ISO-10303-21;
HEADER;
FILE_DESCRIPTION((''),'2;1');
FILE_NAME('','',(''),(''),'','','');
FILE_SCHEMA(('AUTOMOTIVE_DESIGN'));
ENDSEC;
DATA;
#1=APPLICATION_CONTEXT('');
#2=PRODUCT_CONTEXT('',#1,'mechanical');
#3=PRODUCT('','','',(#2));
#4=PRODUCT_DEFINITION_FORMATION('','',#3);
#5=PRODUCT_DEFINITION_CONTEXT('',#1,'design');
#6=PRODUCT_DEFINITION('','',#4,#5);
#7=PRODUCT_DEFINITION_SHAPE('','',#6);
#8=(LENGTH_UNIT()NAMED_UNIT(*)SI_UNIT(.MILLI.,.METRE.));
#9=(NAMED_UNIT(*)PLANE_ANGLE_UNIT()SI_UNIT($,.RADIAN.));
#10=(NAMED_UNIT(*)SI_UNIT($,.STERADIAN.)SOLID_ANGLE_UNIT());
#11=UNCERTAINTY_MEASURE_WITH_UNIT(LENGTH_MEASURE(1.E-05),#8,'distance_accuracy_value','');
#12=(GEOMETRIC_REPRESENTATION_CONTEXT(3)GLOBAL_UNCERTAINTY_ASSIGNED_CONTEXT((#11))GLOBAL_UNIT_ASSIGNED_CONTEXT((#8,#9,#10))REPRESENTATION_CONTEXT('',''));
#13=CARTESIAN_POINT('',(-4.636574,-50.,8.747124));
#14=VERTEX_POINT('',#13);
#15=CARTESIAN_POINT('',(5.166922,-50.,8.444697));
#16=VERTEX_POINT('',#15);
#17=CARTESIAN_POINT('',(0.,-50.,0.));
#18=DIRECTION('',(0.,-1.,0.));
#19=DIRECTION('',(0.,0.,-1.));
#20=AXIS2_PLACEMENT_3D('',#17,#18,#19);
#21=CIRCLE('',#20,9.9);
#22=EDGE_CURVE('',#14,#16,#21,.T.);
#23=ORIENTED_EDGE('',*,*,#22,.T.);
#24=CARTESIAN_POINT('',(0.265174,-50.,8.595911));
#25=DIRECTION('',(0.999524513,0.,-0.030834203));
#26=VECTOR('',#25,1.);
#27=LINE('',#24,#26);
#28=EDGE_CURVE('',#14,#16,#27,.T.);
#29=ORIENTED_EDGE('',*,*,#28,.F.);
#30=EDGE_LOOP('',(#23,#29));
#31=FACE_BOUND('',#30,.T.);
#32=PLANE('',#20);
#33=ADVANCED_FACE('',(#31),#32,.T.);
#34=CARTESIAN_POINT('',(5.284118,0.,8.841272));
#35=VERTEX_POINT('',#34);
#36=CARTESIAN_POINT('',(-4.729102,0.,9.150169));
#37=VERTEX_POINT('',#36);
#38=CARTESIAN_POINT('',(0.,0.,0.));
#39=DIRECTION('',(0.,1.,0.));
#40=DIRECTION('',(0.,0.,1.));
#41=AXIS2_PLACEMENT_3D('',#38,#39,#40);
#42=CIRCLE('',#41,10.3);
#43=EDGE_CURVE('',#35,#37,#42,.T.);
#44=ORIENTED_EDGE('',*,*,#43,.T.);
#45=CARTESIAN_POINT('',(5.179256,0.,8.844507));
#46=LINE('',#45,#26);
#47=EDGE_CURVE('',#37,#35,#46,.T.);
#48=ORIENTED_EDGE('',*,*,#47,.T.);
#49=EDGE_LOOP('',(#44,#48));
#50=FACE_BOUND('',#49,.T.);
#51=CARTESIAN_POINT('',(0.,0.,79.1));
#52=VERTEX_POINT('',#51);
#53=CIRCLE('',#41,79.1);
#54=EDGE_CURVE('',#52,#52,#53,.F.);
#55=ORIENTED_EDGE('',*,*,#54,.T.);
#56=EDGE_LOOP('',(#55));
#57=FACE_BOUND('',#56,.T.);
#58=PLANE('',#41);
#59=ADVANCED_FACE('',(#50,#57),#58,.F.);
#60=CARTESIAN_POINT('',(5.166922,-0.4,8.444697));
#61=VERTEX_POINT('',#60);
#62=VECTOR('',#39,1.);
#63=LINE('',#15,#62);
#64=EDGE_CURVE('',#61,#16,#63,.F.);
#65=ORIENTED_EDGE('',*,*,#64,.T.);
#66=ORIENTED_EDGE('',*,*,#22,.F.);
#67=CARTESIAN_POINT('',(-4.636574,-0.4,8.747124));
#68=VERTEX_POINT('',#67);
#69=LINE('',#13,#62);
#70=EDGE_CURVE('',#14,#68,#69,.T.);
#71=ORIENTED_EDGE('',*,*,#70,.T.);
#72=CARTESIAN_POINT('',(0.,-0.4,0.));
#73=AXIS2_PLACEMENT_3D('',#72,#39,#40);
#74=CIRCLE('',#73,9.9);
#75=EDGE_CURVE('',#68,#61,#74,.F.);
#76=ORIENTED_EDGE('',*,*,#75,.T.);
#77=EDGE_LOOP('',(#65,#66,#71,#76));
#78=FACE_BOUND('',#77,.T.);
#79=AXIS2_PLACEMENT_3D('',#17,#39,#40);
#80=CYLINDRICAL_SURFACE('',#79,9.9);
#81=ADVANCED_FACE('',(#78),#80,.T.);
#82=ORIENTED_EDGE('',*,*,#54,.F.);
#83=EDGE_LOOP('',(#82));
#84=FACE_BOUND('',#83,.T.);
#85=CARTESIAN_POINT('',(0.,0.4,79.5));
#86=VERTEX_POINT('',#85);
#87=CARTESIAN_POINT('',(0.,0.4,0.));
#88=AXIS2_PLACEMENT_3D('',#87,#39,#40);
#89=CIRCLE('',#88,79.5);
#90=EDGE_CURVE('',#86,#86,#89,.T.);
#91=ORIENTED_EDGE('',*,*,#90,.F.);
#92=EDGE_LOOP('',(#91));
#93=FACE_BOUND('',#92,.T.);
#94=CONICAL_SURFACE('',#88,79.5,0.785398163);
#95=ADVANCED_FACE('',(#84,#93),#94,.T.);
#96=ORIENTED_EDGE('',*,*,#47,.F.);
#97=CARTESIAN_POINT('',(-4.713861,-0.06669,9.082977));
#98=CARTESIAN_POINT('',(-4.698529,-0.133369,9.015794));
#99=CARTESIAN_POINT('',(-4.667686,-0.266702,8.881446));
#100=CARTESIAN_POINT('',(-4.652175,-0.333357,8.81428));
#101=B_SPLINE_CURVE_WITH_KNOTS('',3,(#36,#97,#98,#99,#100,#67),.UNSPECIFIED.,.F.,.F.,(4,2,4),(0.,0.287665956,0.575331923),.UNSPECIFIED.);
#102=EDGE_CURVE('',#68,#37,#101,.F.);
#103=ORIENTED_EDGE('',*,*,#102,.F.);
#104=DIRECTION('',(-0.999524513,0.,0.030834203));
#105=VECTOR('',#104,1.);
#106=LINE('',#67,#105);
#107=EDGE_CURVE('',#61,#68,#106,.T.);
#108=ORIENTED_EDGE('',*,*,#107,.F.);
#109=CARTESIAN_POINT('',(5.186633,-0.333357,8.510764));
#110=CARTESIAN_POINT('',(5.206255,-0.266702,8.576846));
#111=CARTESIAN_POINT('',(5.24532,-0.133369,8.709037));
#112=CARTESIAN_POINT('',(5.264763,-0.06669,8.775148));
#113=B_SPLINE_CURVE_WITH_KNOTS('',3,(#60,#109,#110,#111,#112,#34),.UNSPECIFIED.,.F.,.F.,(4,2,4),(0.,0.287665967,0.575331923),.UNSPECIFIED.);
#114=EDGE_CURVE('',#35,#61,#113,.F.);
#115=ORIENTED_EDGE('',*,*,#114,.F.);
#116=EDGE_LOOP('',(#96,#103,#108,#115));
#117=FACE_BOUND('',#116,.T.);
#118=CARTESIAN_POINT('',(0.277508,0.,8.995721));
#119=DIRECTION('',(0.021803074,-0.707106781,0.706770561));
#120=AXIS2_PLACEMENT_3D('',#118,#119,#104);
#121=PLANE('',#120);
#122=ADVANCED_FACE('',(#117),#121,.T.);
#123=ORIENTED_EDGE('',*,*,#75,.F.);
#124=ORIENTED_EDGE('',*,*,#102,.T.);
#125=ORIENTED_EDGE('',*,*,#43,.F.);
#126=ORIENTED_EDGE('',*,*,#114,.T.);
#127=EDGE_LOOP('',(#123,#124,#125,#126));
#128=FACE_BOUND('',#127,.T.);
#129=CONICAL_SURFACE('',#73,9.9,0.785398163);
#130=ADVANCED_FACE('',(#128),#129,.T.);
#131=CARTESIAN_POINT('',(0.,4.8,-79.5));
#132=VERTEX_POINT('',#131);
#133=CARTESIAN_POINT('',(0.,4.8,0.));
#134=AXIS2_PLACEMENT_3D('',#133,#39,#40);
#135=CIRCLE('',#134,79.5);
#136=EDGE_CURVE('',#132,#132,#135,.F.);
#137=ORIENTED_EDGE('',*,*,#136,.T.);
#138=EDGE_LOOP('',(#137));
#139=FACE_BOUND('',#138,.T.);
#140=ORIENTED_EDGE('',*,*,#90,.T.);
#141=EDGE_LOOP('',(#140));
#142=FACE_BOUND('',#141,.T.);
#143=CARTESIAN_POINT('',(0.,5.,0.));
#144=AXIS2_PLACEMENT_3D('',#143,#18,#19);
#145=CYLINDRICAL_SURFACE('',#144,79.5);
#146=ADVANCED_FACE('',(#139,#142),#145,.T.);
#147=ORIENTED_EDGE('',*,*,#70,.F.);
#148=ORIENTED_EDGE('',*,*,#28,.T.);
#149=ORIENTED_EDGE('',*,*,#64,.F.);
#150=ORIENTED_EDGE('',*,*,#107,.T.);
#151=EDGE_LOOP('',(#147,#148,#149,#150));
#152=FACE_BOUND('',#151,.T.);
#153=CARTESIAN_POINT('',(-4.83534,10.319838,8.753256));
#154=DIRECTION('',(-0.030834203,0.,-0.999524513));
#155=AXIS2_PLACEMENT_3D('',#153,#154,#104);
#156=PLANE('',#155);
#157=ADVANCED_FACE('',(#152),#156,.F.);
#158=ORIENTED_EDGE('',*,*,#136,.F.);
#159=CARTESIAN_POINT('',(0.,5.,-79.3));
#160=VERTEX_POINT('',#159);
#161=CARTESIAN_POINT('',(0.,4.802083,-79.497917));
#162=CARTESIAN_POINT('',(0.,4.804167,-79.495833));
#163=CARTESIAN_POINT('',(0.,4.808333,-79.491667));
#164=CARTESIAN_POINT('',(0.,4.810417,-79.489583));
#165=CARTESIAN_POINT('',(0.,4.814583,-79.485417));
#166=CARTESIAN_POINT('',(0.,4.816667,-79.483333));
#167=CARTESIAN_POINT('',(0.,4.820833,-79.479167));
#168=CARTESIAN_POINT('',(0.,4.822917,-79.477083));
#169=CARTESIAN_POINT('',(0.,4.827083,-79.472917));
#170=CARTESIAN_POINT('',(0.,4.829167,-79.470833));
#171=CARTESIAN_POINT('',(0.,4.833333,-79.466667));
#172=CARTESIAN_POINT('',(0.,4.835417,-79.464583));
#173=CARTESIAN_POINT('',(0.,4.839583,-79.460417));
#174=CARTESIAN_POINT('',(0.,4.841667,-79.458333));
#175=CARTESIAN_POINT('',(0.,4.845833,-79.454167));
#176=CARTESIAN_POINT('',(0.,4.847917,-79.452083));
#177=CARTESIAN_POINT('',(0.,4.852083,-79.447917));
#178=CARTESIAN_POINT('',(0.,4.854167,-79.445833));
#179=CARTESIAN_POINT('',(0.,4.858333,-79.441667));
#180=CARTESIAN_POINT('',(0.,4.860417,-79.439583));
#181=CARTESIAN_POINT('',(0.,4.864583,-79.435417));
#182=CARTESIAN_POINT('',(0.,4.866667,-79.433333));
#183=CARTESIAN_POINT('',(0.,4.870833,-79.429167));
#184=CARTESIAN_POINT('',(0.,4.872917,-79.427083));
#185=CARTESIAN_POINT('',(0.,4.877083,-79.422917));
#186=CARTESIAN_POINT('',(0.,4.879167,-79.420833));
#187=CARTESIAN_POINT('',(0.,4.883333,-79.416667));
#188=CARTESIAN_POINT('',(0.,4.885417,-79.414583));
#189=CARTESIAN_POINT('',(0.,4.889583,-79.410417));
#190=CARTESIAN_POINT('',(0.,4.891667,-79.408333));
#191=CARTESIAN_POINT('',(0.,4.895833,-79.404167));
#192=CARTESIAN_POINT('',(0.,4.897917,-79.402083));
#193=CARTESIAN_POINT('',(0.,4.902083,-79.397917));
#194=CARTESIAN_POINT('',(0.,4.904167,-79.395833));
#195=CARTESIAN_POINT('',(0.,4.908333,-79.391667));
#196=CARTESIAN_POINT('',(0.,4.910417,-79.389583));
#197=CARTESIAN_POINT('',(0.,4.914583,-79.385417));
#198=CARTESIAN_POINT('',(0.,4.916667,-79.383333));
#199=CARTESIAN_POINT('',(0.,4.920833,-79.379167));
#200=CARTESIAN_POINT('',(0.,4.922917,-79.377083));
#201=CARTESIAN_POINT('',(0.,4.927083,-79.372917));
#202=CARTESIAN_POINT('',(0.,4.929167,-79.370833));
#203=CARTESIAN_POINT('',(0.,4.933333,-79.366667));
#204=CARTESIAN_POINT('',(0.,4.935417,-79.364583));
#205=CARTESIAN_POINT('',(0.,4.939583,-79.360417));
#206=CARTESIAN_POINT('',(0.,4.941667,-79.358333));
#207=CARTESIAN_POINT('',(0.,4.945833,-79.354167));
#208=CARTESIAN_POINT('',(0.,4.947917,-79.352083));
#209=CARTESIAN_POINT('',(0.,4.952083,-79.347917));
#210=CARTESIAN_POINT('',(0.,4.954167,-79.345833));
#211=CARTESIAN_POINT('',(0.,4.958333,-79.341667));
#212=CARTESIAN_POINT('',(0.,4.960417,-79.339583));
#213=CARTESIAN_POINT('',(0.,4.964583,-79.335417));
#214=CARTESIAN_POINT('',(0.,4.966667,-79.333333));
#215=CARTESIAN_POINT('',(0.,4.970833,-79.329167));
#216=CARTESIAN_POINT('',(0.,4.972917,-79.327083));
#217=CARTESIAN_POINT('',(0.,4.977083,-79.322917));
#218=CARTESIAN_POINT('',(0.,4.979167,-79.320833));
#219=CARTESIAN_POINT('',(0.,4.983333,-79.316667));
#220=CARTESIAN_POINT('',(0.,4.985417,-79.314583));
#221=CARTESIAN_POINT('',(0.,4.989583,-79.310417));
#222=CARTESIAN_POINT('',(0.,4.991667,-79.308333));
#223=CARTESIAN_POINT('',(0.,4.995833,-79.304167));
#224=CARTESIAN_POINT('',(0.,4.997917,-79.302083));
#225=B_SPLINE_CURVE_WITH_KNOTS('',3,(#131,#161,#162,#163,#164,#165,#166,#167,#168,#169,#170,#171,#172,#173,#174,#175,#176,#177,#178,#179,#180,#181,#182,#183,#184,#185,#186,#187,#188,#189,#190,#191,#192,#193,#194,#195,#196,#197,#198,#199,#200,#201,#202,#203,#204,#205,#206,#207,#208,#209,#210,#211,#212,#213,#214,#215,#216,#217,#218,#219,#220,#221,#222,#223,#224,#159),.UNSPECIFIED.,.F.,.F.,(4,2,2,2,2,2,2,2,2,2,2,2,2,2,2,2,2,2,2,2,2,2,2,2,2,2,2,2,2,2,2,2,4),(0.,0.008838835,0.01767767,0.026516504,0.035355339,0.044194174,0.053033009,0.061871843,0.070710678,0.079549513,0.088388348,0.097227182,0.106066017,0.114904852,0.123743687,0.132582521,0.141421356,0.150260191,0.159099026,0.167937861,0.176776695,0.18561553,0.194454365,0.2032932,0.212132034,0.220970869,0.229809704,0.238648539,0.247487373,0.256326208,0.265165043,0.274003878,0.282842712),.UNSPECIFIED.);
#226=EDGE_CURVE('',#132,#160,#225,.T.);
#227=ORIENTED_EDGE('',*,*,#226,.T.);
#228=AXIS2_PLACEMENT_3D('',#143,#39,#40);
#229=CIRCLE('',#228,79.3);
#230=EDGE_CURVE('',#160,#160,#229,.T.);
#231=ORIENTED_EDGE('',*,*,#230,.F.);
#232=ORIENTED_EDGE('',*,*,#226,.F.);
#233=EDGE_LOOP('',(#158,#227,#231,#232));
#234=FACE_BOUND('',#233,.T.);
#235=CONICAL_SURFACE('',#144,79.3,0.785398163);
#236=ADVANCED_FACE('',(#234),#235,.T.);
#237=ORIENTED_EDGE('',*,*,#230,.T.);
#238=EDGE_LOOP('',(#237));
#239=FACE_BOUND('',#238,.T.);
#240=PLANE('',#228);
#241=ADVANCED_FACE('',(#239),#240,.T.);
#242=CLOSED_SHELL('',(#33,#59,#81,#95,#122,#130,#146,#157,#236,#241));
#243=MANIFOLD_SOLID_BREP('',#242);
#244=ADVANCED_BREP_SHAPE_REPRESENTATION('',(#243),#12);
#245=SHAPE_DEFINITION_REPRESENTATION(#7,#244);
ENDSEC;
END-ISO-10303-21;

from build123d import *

# Parameters (mm, degrees)
SKETCH_1_R          = 79.5
EXTRUDE_1_DEPTH     = 5
SKETCH_2_R          = 9.9
EXTRUDE_2_DEPTH     = 50
CHAMFER_1_SIZE      = 0.2
CUT_EXTRUDE_1_DEPTH = 50
CHAMFER_2_SIZE      = 0.4


with BuildPart() as part:
    # 草图1 → 凸台-拉伸1 (new body)
    with BuildSketch(Plane(origin=(0, 0, 0), x_dir=(1, 0, 0), z_dir=(0, 1, 0))):
        with Locations(Location((0, 0, 0), (0, 0, 270))):
            Circle(SKETCH_1_R)
    extrude(amount=EXTRUDE_1_DEPTH)

    # 草图2 → 凸台-拉伸2 (add)
    with BuildSketch(Plane(origin=(0, 0, 0), x_dir=(-1, 0, 0), z_dir=(0, -1, 0))):
        with Locations(Location((0, 0, 0), (0, 0, 270))):
            Circle(SKETCH_2_R)
    extrude(amount=EXTRUDE_2_DEPTH)

    # 倒角1
    chamfer_1_edges = [part.edges().sort_by_distance(p)[0] for p in [
        (0, 5, -79.5),
    ]]
    chamfer(chamfer_1_edges, length=CHAMFER_1_SIZE)

    # 草图3 → 切除-拉伸1 (cut)
    with BuildSketch(Plane(origin=(0, -50, 0), x_dir=(-1, 0, 0), z_dir=(0, -1, 0))):
        with BuildLine():
            Line((4.835339801, -8.753255909), (-5.365688092, -8.438565713))
            ThreePointArc((-5.365688092, -8.438565713), (-0.308342029, -9.995245129), (4.835339801, -8.753255909))
        make_face()
    extrude(amount=-CUT_EXTRUDE_1_DEPTH, mode=Mode.SUBTRACT)

    # 倒角2
    chamfer_2_edges = [part.edges().sort_by_distance(p)[0] for p in [
        (0.265174145, 0, 8.595910811),
        (0, 0, -79.5),
        (-0.305258609, 0, -9.895292678),
    ]]
    chamfer(chamfer_2_edges, length=CHAMFER_2_SIZE)


solid = part.part
